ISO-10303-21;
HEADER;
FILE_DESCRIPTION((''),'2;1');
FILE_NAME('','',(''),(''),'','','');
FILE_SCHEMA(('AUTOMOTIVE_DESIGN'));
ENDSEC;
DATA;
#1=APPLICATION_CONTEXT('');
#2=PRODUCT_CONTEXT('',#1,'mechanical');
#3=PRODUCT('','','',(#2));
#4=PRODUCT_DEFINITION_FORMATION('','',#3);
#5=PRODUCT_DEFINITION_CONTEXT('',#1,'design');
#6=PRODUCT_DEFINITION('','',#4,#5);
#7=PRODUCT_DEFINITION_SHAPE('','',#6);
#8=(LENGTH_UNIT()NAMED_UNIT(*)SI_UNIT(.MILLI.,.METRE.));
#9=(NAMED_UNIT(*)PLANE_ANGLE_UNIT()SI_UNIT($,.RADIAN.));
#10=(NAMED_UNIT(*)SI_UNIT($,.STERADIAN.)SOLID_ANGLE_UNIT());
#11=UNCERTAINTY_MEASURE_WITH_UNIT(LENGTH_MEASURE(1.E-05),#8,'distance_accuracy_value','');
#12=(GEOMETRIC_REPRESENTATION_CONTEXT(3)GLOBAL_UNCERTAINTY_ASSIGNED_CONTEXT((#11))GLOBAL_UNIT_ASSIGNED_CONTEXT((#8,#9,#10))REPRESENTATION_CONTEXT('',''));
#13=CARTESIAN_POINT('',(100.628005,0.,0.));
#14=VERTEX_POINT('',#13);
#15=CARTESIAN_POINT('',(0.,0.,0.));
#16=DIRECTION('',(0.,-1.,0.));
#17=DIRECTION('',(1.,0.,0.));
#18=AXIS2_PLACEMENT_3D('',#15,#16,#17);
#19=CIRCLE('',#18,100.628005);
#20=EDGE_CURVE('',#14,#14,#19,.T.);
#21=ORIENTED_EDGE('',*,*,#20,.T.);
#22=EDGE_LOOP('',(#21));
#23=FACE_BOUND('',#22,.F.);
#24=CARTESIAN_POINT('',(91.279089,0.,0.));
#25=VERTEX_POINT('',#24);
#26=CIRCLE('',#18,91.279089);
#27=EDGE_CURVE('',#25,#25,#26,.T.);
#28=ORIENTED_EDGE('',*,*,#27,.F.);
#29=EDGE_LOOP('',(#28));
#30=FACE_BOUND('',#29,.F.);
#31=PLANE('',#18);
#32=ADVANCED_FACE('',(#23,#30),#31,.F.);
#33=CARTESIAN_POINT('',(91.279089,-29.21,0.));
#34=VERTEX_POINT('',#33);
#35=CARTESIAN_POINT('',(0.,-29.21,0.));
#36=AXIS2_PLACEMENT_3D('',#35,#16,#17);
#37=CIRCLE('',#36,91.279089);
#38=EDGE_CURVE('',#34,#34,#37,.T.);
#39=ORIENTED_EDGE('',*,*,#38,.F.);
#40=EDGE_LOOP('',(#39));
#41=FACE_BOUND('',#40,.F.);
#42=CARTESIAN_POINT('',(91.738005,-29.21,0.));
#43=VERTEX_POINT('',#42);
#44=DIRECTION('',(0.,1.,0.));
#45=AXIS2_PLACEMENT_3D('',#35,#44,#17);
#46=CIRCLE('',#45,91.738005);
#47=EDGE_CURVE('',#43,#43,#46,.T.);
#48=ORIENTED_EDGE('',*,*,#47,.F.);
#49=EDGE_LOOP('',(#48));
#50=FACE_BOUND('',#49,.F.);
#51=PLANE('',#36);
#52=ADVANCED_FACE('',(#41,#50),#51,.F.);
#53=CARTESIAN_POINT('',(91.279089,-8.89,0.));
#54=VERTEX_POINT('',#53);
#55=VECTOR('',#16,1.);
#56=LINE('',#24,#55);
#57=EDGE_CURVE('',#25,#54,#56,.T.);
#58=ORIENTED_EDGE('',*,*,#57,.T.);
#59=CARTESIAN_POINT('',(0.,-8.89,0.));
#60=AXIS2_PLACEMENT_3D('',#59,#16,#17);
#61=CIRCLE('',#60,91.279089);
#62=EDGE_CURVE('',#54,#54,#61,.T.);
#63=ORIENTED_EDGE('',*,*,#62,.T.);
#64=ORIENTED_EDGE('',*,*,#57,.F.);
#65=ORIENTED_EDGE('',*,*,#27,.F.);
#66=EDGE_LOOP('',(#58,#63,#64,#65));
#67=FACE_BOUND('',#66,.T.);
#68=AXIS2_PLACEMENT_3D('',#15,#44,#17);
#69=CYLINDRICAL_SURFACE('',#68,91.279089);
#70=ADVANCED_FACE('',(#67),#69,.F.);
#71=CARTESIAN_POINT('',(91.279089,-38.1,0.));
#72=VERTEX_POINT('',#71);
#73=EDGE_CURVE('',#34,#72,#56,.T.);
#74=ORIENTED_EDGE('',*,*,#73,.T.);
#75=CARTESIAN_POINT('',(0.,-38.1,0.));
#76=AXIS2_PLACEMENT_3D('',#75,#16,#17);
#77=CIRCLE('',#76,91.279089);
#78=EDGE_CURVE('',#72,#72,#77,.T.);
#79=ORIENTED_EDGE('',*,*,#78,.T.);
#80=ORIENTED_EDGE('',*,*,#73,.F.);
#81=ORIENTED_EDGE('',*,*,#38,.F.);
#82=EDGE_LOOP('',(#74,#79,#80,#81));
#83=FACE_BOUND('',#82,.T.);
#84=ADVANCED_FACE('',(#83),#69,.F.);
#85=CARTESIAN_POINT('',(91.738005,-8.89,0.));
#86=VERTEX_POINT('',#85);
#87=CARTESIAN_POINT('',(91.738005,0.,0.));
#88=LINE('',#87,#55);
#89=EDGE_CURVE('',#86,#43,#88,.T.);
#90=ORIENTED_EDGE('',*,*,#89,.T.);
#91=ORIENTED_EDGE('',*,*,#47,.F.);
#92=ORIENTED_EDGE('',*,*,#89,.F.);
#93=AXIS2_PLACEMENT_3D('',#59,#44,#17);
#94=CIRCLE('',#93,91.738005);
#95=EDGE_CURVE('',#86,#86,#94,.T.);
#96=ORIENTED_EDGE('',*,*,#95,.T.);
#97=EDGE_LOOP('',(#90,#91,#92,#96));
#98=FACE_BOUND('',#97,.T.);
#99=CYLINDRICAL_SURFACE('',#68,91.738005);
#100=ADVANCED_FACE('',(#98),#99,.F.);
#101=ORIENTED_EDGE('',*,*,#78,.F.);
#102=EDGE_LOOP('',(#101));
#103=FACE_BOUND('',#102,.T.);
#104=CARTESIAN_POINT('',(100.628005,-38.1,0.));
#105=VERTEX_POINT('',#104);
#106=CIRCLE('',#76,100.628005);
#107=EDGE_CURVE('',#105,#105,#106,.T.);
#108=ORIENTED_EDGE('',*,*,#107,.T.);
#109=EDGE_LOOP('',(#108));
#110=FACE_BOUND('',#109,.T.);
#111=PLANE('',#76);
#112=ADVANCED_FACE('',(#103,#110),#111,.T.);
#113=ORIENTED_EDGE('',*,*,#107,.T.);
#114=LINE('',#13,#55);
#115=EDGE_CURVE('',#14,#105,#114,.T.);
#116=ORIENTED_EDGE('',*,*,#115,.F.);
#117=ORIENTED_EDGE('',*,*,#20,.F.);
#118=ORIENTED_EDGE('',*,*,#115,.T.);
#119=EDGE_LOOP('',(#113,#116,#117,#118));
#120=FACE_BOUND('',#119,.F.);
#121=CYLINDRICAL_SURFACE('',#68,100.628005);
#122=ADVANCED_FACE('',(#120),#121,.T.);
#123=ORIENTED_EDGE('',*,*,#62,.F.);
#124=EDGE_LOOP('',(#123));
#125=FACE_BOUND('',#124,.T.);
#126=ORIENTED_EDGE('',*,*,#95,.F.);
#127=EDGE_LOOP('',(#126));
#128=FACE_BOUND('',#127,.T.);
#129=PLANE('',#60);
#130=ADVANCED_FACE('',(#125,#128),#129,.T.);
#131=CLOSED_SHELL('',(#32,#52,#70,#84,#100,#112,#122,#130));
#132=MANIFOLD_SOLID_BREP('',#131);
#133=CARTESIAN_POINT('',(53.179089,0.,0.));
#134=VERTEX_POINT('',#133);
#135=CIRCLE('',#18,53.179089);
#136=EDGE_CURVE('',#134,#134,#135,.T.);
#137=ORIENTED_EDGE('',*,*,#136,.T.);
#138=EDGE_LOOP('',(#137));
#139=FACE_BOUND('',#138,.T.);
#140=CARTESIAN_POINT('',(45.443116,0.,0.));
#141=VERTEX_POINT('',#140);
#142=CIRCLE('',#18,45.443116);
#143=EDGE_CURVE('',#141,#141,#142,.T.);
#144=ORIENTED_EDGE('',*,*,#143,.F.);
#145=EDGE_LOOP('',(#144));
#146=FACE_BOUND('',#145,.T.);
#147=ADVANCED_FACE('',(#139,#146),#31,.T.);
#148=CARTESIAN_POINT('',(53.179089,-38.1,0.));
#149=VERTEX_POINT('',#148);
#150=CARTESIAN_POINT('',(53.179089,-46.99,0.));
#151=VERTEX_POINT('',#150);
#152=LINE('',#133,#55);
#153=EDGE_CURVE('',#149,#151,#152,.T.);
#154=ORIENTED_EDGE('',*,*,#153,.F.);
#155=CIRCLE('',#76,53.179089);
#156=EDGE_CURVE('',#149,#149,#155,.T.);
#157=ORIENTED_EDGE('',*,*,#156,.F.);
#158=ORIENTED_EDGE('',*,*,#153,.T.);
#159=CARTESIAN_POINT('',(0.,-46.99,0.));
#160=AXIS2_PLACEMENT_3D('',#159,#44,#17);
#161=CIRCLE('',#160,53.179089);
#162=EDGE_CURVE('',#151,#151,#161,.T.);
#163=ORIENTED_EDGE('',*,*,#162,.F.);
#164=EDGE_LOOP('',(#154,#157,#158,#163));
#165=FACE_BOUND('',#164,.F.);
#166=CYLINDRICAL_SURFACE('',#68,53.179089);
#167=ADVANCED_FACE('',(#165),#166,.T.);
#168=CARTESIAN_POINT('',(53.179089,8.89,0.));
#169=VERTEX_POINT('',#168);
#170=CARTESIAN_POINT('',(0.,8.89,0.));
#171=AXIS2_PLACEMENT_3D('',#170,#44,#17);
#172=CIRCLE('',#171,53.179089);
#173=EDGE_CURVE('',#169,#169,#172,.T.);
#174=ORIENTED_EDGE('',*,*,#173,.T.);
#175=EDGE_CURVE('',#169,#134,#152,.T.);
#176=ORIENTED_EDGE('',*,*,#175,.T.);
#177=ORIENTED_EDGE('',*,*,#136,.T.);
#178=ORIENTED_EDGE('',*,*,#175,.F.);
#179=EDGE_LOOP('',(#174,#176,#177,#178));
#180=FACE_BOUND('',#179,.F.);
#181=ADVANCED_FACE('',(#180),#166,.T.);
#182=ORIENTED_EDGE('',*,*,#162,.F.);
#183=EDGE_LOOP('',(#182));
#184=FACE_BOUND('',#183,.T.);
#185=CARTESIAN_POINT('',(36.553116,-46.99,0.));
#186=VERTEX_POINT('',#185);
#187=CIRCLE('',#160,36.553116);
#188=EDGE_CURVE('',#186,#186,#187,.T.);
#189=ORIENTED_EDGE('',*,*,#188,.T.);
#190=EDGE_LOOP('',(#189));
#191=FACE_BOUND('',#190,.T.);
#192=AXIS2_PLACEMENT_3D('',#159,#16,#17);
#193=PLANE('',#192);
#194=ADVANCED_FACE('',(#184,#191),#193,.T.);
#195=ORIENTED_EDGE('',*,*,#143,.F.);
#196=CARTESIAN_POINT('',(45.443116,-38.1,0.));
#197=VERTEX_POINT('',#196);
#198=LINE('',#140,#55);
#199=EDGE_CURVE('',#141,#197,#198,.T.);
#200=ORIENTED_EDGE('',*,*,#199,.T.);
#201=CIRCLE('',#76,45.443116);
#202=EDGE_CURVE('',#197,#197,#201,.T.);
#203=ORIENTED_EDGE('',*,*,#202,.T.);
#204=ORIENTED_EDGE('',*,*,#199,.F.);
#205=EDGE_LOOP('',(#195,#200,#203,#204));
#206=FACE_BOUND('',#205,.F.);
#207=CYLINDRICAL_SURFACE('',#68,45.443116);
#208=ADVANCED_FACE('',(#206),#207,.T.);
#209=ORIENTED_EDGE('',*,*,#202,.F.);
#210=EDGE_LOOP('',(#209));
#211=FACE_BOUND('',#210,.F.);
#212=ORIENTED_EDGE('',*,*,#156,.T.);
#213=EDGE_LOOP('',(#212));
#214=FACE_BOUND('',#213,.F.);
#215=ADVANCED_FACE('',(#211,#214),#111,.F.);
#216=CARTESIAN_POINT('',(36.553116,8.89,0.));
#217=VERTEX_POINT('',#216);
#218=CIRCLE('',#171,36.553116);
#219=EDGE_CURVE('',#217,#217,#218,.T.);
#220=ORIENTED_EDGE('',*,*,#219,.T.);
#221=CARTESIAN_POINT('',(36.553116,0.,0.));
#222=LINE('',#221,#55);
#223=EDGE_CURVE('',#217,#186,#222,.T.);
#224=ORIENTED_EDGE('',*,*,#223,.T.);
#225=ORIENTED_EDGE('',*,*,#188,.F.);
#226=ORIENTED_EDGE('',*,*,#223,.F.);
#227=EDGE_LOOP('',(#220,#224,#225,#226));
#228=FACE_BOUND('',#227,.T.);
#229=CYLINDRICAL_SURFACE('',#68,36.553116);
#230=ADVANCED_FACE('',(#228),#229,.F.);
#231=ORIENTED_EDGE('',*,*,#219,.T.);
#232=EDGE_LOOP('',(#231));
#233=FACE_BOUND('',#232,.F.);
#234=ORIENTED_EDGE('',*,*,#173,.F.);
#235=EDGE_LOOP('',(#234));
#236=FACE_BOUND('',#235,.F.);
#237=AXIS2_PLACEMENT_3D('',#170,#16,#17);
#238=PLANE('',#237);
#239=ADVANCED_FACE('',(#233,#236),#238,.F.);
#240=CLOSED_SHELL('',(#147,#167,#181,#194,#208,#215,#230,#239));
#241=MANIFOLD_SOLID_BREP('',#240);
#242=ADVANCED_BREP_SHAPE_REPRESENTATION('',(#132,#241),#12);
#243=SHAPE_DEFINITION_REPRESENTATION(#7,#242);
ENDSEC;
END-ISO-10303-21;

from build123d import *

# Parameters (mm, degrees)
F0_R     = 100.6280045114
F0_R_2   = 91.2790894458
F1_DEPTH = 38.1
F0_R_3   = 53.1790894458
F0_R_4   = 45.4431162604
F2_T     = -8.89
F3_T     = 8.89


with BuildPart() as f1:
    # F0 (on Front) → F1 (new body)
    with BuildSketch(Plane.XZ):
        Circle(F0_R)
        Circle(F0_R_2, mode=Mode.SUBTRACT)
    extrude(amount=F1_DEPTH)

    # F2
    f2_openings = [f1.faces().sort_by_distance(p)[0] for p in [
        (-91.279089, -19.05, 0),
    ]]
    offset(amount=F2_T, openings=f2_openings)


with BuildPart() as f1b:
    # F0 (on Front) → F1, piece 2 (new body)
    with BuildSketch(Plane.XZ):
        Circle(F0_R_3)
        Circle(F0_R_4, mode=Mode.SUBTRACT)
    extrude(amount=F1_DEPTH)

    # F3
    f3_openings = [f1b.faces().sort_by_distance(p)[0] for p in [
        (-53.179089, -19.05, 0),
    ]]
    offset(amount=F3_T, openings=f3_openings, kind=Kind.INTERSECTION)


solid = Compound([f1.part, f1b.part])
